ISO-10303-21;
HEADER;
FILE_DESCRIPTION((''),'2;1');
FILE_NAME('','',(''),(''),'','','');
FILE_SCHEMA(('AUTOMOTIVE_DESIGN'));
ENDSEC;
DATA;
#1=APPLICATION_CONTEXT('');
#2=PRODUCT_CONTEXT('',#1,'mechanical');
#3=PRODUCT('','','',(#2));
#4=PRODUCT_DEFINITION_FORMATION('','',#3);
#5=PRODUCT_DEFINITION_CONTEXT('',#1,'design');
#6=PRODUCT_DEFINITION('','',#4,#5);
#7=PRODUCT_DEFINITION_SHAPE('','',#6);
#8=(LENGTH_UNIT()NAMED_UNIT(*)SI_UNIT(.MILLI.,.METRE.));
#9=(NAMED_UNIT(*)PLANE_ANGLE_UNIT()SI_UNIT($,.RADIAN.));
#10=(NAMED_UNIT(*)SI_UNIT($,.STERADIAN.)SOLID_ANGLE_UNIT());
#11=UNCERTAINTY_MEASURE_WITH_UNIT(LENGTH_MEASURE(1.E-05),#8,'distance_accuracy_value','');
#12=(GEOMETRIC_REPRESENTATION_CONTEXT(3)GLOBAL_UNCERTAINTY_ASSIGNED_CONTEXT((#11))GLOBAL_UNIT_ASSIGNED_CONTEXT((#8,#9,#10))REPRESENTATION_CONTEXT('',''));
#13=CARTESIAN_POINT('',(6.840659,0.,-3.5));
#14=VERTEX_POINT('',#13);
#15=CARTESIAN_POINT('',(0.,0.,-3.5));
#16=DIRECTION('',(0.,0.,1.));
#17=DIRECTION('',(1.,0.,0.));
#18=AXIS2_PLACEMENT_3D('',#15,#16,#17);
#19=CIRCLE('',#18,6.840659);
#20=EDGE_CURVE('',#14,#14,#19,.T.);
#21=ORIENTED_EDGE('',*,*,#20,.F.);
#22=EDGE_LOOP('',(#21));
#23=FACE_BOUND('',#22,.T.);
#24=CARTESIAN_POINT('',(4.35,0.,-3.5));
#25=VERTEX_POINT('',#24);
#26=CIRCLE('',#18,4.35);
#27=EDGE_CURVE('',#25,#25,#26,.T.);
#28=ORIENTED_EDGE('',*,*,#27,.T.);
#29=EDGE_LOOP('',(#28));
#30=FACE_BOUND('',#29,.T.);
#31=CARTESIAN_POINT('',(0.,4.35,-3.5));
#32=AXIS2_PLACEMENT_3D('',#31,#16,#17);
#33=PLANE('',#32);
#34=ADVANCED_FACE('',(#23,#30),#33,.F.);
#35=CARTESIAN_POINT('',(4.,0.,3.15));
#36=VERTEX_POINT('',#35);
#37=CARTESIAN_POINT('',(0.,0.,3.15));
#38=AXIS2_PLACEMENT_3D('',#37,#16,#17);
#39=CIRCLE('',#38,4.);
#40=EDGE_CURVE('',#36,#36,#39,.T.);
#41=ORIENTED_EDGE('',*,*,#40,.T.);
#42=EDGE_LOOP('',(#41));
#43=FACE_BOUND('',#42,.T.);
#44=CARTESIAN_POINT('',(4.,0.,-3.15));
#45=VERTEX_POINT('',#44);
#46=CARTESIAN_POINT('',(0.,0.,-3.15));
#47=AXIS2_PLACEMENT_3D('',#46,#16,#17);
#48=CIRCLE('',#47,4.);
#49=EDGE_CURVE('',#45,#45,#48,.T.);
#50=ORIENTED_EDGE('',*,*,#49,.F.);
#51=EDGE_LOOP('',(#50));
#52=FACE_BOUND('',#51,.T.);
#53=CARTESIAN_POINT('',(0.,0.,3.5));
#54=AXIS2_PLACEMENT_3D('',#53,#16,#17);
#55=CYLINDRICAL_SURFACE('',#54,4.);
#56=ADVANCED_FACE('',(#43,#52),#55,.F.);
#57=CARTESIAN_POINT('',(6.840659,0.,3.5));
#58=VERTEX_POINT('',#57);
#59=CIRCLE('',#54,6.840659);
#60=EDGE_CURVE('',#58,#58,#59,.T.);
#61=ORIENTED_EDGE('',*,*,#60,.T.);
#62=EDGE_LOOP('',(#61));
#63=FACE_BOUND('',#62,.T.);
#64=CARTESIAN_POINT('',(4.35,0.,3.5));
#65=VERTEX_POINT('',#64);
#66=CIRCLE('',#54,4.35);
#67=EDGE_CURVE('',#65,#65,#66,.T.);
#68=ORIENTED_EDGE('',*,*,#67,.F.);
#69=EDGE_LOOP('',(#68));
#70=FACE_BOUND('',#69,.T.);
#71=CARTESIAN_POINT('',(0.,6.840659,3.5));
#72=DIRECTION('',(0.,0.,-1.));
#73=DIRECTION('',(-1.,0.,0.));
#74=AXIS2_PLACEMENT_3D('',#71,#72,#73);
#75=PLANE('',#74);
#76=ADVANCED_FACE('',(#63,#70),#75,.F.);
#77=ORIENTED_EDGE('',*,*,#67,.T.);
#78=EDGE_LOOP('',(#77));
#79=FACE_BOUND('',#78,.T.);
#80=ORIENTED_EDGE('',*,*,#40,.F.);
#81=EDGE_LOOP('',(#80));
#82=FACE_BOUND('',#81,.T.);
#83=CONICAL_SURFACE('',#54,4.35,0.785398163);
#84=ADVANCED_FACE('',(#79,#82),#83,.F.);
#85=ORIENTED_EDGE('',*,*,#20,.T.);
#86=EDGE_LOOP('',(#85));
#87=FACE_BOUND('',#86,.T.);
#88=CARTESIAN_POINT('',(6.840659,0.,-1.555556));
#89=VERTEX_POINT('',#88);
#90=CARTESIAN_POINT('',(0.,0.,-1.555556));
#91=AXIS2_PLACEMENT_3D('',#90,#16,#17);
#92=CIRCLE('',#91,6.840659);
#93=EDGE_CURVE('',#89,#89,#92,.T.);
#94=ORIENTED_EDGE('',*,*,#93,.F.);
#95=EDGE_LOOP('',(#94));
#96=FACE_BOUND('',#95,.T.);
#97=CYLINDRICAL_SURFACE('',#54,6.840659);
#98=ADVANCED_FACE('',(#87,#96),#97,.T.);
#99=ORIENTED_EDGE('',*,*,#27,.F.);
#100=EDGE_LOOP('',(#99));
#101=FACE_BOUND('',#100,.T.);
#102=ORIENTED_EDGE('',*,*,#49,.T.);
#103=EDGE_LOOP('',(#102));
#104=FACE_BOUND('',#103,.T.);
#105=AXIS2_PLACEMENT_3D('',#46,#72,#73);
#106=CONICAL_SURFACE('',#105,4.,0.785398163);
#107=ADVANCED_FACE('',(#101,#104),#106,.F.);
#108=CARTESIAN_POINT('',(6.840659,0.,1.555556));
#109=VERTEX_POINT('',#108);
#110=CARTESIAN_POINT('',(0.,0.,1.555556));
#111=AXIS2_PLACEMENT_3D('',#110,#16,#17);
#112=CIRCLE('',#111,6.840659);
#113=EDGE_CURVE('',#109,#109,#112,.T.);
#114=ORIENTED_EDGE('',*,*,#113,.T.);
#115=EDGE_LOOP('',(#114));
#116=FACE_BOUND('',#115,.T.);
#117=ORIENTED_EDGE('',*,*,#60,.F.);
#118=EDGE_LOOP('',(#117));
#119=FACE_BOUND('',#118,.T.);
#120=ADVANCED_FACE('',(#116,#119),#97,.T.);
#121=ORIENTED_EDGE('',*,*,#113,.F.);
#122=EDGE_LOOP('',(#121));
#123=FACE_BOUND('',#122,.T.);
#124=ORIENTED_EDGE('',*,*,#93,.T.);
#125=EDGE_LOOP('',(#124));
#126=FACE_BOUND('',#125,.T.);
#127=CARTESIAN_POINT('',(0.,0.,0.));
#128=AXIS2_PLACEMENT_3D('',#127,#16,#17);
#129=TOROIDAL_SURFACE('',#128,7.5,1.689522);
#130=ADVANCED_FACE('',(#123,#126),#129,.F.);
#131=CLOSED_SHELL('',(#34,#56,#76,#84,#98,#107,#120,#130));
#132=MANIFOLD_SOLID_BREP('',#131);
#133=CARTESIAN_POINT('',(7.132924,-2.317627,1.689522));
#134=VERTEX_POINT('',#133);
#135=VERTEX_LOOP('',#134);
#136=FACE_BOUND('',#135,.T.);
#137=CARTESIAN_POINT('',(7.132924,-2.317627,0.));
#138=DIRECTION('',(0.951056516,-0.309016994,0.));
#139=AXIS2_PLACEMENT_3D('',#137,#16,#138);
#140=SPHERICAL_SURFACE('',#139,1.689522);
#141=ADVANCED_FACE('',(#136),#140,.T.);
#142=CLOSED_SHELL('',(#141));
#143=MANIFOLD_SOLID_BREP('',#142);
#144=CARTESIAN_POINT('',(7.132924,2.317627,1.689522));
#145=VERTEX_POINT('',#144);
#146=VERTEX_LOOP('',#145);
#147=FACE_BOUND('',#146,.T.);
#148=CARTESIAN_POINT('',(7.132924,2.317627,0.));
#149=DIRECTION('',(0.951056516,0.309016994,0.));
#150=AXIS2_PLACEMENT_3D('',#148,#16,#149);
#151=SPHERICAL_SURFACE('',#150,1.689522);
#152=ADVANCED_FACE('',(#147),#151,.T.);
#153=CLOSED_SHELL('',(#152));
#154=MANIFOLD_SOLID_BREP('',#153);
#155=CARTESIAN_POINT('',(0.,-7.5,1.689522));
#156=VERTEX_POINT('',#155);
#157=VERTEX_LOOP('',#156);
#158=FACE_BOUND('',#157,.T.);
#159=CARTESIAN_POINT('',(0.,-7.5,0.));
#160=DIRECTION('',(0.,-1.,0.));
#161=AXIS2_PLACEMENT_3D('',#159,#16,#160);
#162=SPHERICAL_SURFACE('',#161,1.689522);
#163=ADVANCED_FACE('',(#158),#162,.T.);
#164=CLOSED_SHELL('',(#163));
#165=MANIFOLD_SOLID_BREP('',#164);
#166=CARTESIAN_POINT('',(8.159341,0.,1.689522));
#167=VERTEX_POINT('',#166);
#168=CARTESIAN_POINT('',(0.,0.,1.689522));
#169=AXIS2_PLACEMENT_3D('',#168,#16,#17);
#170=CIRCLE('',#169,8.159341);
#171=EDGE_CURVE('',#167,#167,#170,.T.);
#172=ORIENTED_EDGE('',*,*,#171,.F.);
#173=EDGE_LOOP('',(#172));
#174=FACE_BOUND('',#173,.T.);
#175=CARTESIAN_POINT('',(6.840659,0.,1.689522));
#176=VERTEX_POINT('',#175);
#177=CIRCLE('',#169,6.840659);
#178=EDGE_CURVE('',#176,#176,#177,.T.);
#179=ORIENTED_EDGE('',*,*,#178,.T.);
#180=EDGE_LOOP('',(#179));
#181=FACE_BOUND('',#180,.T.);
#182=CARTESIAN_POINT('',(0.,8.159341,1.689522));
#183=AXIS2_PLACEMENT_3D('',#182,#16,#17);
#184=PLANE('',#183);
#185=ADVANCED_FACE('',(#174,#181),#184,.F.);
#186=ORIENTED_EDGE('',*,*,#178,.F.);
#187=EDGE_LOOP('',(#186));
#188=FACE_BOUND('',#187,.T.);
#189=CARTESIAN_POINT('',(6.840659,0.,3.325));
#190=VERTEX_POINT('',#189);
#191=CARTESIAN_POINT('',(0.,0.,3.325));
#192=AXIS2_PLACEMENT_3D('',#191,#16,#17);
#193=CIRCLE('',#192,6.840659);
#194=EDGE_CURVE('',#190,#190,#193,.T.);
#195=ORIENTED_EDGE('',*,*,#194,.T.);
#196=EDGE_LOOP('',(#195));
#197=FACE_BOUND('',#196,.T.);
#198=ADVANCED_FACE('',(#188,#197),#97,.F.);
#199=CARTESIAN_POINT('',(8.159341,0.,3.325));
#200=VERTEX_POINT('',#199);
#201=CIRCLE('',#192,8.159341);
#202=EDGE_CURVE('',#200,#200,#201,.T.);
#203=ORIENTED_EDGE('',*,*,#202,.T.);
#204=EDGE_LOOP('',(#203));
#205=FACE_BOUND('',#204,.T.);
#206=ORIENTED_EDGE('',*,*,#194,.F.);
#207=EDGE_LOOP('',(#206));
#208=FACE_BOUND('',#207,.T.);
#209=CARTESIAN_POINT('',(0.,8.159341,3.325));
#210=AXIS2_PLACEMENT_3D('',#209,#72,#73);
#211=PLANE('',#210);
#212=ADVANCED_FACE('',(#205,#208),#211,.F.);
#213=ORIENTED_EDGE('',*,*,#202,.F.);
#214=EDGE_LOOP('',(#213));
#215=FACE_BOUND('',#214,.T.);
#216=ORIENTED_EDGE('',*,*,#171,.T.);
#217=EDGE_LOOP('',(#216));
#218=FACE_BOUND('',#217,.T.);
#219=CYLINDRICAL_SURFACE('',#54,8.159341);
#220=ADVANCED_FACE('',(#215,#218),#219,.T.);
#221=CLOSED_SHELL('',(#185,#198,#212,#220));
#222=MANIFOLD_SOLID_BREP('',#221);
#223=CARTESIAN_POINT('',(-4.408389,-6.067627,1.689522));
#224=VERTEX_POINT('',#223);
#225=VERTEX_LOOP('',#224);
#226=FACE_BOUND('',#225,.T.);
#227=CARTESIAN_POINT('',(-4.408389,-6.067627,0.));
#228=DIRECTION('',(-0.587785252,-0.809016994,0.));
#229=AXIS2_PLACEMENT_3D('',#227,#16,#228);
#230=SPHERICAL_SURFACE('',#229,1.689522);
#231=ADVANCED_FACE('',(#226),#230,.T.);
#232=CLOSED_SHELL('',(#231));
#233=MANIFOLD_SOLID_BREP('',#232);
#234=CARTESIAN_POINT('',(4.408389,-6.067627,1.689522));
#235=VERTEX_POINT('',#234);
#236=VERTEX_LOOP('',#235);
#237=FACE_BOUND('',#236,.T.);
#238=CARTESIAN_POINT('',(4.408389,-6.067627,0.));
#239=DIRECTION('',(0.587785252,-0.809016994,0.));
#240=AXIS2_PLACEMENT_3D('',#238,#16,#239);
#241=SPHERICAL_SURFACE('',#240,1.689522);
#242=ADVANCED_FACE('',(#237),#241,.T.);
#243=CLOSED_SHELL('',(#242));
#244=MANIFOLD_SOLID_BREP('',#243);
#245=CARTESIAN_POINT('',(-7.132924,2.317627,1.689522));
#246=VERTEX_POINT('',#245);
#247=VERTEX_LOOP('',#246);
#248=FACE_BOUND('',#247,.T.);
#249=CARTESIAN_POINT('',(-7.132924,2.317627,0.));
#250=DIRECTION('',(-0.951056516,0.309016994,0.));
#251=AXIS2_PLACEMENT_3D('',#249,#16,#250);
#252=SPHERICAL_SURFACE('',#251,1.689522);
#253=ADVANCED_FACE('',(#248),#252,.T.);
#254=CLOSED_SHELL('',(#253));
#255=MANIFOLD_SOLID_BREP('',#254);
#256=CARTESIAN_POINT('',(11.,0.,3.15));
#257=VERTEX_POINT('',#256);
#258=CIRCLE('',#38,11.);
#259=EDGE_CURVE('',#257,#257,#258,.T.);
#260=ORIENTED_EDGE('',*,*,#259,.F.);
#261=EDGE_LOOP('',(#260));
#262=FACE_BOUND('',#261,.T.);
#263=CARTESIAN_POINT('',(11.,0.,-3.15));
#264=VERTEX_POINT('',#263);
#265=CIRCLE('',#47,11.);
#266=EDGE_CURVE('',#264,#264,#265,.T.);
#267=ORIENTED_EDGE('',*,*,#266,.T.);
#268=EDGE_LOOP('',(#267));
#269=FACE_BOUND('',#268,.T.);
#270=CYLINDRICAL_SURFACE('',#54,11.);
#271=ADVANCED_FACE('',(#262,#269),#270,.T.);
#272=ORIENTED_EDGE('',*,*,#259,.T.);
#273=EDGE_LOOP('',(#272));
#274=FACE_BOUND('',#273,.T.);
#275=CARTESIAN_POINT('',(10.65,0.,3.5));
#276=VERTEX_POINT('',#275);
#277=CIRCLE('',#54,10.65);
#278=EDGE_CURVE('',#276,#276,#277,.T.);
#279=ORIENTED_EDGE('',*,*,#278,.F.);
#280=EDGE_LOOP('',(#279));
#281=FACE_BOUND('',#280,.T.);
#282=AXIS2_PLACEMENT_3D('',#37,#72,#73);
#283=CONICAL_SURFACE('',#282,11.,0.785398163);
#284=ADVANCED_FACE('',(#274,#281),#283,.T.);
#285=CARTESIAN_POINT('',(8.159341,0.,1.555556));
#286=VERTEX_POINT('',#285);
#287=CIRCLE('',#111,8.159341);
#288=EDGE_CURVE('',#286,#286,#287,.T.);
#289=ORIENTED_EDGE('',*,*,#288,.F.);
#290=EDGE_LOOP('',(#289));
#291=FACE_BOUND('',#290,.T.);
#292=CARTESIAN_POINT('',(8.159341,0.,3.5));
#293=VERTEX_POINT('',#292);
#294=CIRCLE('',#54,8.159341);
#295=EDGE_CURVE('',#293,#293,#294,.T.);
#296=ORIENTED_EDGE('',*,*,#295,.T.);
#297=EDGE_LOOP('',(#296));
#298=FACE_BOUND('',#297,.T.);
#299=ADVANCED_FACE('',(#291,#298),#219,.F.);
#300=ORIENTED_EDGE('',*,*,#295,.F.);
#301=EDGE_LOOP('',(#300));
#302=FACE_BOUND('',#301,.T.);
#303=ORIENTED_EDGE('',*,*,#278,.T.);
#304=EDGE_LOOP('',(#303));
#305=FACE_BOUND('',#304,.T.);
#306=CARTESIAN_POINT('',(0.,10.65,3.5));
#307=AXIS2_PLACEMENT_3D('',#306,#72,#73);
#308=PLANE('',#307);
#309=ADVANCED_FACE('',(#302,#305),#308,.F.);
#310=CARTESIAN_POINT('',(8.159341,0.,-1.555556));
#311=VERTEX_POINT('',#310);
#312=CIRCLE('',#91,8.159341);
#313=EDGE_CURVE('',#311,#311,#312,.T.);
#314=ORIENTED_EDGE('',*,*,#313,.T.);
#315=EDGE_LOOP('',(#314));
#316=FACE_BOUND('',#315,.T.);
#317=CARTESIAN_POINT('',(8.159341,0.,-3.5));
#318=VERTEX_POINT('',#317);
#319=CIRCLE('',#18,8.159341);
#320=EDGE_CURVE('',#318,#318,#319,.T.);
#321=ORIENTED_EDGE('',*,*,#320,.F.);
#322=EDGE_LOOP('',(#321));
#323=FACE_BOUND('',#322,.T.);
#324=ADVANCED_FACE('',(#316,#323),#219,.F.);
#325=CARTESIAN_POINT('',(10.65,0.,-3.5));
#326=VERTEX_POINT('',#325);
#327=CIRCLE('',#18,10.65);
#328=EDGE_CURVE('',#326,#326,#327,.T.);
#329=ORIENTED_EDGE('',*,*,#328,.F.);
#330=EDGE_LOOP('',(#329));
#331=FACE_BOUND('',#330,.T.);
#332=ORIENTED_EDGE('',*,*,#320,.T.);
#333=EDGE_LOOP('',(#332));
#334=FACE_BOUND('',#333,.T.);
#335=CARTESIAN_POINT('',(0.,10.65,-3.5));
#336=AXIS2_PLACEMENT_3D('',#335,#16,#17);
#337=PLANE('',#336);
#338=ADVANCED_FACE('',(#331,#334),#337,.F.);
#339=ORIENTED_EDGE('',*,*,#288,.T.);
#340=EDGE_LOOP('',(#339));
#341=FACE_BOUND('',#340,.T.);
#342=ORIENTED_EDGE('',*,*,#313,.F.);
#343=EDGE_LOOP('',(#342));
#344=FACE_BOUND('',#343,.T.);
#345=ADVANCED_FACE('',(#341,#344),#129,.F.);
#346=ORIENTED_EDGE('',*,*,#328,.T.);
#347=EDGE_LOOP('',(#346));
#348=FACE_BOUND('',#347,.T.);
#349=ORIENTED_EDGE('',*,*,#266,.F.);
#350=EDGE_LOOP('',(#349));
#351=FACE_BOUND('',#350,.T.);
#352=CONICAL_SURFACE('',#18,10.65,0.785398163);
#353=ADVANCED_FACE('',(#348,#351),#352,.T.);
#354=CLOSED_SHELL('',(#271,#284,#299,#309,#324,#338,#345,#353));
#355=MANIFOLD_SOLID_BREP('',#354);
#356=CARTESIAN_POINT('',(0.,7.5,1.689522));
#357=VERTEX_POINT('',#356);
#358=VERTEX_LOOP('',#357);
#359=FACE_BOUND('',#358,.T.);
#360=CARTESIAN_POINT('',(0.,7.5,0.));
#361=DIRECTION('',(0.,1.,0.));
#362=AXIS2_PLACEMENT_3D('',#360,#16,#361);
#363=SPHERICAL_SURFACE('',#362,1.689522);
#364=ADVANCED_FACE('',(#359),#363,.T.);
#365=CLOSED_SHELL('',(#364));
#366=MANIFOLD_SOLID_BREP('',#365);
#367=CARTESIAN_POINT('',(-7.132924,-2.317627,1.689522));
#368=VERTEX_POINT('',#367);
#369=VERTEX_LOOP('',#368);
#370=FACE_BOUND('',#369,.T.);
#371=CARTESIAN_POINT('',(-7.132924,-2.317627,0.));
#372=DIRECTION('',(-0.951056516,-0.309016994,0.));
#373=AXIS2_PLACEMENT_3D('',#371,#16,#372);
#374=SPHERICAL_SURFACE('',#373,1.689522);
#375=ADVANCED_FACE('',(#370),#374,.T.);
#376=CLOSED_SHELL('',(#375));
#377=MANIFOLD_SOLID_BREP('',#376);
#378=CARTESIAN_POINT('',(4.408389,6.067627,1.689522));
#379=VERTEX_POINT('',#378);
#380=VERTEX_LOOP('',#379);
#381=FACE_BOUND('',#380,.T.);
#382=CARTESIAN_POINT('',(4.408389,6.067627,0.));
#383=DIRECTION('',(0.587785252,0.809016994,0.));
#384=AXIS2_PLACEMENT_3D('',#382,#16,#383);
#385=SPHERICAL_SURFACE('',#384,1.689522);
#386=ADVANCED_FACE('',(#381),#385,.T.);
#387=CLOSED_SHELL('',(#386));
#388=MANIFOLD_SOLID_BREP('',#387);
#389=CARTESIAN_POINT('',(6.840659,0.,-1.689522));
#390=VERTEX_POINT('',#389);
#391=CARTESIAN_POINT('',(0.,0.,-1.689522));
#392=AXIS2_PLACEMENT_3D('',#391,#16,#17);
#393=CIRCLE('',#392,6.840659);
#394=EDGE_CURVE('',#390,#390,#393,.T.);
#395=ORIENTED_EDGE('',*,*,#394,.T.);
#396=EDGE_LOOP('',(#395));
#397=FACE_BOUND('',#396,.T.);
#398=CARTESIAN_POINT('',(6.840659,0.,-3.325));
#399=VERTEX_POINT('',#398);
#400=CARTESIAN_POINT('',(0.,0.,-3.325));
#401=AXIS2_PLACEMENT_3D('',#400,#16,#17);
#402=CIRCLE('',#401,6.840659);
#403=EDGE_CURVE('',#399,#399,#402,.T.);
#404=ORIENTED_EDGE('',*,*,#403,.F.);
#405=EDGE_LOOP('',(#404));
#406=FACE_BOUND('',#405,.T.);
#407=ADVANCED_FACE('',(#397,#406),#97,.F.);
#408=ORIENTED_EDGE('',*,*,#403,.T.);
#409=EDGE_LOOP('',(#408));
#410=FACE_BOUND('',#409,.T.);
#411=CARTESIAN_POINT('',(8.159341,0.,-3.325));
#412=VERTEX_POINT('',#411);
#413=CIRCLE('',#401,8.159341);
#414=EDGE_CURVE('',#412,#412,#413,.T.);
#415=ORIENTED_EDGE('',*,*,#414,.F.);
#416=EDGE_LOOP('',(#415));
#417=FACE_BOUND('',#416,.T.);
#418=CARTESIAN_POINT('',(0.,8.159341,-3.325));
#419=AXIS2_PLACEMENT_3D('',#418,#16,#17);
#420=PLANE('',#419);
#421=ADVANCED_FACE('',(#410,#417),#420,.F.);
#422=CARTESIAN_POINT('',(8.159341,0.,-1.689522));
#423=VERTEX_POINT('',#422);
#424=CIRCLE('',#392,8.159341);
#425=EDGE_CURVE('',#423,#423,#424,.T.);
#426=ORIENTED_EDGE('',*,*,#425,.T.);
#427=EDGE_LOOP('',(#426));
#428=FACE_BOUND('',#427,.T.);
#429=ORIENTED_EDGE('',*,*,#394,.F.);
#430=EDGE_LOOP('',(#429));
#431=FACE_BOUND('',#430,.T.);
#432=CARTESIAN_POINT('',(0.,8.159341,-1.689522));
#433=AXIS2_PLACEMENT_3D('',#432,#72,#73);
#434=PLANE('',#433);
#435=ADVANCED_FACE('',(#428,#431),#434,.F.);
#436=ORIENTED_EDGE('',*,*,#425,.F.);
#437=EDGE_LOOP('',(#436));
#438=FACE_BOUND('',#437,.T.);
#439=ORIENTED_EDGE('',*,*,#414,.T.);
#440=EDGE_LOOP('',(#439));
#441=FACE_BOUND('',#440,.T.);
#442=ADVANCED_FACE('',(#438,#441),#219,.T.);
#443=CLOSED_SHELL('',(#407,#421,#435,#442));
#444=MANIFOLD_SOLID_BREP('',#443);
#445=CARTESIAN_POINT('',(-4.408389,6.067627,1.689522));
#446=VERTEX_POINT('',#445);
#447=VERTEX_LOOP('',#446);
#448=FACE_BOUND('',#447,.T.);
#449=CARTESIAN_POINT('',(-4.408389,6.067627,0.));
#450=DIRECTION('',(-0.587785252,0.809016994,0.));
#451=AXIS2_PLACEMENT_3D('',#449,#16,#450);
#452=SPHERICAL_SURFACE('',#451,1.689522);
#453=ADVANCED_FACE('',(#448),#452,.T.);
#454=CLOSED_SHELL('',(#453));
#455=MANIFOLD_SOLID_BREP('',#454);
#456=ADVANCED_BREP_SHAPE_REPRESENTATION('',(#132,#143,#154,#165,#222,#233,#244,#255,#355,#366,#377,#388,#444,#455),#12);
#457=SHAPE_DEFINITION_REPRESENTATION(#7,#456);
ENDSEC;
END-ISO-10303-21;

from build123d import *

# Parameters (mm, degrees)
CIRPATTERN1_COUNT = 10
SKETCH6_W         = 1.635478413
SKETCH6_H         = 1.318681318


with BuildPart() as part:
    # Sketch1 → Revolve1 (revolve)
    with BuildSketch(Plane(origin=(0, 0, 0), x_dir=(0, 0, -1), z_dir=(1, 0, 0))):
        with BuildLine():
            Line((3.15, 11), (-3.15, 11))
            Line((-3.15, 11), (-3.5, 10.65))
            Line((-3.5, 10.65), (-3.5, 8.159340659))
            Line((-3.5, 8.159340659), (-1.555555556, 8.159340659))
            ThreePointArc((-1.555555556, 8.159340659), (0, 9.189521587), (1.555555556, 8.159340659))
            Line((1.555555556, 8.159340659), (3.5, 8.159340659))
            Line((3.5, 8.159340659), (3.5, 10.65))
            Line((3.5, 10.65), (3.15, 11))
        make_face()
    revolve(axis=Axis((0, 0, 3.5), (0, 0, -1)))


with BuildPart() as body_2:
    # Sketch3 → Revolve3 (revolve)
    with BuildSketch(Plane(origin=(0, 0, 0), x_dir=(0, 0, -1), z_dir=(1, 0, 0))):
        with BuildLine():
            Line((-3.5, 6.840659341), (-1.555555556, 6.840659341))
            ThreePointArc((-1.555555556, 6.840659341), (0, 5.810478413), (1.555555556, 6.840659341))
            Line((1.555555556, 6.840659341), (3.5, 6.840659341))
            Line((3.5, 6.840659341), (3.5, 4.35))
            Line((3.5, 4.35), (3.15, 4))
            Line((3.15, 4), (-3.15, 4))
            Line((-3.15, 4), (-3.5, 4.35))
            Line((-3.5, 4.35), (-3.5, 6.840659341))
        make_face()
    revolve(axis=Axis((0, 0, 3.5), (0, 0, -1)))


with BuildPart() as body_3:
    # Sketch4 → Revolve4 (revolve)
    with BuildSketch(Plane(origin=(0, 0, 0), x_dir=(0, 0, -1), z_dir=(1, 0, 0))):
        with BuildLine():
            Line((-1.689521587, 7.5), (1.689521587, 7.5))
            ThreePointArc((1.689521587, 7.5), (0, 9.189521587), (-1.689521587, 7.5))
        make_face()
    revolve(axis=Axis((0, 7.5, 1.689521587), (0, 0, -1)))


with BuildPart() as cirpattern1_1:
    # CirPattern1: pattern copy
    add(body_3.part.rotate(Axis((0, 0, -3.5), (0, 0, 1)), 1 * 360 / CIRPATTERN1_COUNT))


with BuildPart() as cirpattern1_2:
    # CirPattern1: pattern copy
    add(body_3.part.rotate(Axis((0, 0, -3.5), (0, 0, 1)), 2 * 360 / CIRPATTERN1_COUNT))


with BuildPart() as cirpattern1_3:
    # CirPattern1: pattern copy
    add(body_3.part.rotate(Axis((0, 0, -3.5), (0, 0, 1)), 3 * 360 / CIRPATTERN1_COUNT))


with BuildPart() as cirpattern1_4:
    # CirPattern1: pattern copy
    add(body_3.part.rotate(Axis((0, 0, -3.5), (0, 0, 1)), 4 * 360 / CIRPATTERN1_COUNT))


with BuildPart() as cirpattern1_5:
    # CirPattern1: pattern copy
    add(body_3.part.rotate(Axis((0, 0, -3.5), (0, 0, 1)), 5 * 360 / CIRPATTERN1_COUNT))


with BuildPart() as cirpattern1_6:
    # CirPattern1: pattern copy
    add(body_3.part.rotate(Axis((0, 0, -3.5), (0, 0, 1)), 6 * 360 / CIRPATTERN1_COUNT))


with BuildPart() as cirpattern1_7:
    # CirPattern1: pattern copy
    add(body_3.part.rotate(Axis((0, 0, -3.5), (0, 0, 1)), 7 * 360 / CIRPATTERN1_COUNT))


with BuildPart() as cirpattern1_8:
    # CirPattern1: pattern copy
    add(body_3.part.rotate(Axis((0, 0, -3.5), (0, 0, 1)), 8 * 360 / CIRPATTERN1_COUNT))


with BuildPart() as cirpattern1_9:
    # CirPattern1: pattern copy
    add(body_3.part.rotate(Axis((0, 0, -3.5), (0, 0, 1)), 9 * 360 / CIRPATTERN1_COUNT))


with BuildPart() as body_13:
    # Sketch6 → Revolve5 (revolve)
    with BuildSketch(Plane(origin=(0, 0, 0), x_dir=(0, 0, -1), z_dir=(1, 0, 0))):
        with Locations((-2.507260794, 7.5)):
            Rectangle(SKETCH6_W, SKETCH6_H)
        with Locations((2.507260794, 7.5)):
            Rectangle(SKETCH6_W, SKETCH6_H)
    revolve(axis=Axis((0, 0, 3.5), (0, 0, -1)))


solid = Compound([part.part, body_2.part, body_3.part, cirpattern1_1.part, cirpattern1_2.part, cirpattern1_3.part, cirpattern1_4.part, cirpattern1_5.part, cirpattern1_6.part, cirpattern1_7.part, cirpattern1_8.part, cirpattern1_9.part, body_13.part])
